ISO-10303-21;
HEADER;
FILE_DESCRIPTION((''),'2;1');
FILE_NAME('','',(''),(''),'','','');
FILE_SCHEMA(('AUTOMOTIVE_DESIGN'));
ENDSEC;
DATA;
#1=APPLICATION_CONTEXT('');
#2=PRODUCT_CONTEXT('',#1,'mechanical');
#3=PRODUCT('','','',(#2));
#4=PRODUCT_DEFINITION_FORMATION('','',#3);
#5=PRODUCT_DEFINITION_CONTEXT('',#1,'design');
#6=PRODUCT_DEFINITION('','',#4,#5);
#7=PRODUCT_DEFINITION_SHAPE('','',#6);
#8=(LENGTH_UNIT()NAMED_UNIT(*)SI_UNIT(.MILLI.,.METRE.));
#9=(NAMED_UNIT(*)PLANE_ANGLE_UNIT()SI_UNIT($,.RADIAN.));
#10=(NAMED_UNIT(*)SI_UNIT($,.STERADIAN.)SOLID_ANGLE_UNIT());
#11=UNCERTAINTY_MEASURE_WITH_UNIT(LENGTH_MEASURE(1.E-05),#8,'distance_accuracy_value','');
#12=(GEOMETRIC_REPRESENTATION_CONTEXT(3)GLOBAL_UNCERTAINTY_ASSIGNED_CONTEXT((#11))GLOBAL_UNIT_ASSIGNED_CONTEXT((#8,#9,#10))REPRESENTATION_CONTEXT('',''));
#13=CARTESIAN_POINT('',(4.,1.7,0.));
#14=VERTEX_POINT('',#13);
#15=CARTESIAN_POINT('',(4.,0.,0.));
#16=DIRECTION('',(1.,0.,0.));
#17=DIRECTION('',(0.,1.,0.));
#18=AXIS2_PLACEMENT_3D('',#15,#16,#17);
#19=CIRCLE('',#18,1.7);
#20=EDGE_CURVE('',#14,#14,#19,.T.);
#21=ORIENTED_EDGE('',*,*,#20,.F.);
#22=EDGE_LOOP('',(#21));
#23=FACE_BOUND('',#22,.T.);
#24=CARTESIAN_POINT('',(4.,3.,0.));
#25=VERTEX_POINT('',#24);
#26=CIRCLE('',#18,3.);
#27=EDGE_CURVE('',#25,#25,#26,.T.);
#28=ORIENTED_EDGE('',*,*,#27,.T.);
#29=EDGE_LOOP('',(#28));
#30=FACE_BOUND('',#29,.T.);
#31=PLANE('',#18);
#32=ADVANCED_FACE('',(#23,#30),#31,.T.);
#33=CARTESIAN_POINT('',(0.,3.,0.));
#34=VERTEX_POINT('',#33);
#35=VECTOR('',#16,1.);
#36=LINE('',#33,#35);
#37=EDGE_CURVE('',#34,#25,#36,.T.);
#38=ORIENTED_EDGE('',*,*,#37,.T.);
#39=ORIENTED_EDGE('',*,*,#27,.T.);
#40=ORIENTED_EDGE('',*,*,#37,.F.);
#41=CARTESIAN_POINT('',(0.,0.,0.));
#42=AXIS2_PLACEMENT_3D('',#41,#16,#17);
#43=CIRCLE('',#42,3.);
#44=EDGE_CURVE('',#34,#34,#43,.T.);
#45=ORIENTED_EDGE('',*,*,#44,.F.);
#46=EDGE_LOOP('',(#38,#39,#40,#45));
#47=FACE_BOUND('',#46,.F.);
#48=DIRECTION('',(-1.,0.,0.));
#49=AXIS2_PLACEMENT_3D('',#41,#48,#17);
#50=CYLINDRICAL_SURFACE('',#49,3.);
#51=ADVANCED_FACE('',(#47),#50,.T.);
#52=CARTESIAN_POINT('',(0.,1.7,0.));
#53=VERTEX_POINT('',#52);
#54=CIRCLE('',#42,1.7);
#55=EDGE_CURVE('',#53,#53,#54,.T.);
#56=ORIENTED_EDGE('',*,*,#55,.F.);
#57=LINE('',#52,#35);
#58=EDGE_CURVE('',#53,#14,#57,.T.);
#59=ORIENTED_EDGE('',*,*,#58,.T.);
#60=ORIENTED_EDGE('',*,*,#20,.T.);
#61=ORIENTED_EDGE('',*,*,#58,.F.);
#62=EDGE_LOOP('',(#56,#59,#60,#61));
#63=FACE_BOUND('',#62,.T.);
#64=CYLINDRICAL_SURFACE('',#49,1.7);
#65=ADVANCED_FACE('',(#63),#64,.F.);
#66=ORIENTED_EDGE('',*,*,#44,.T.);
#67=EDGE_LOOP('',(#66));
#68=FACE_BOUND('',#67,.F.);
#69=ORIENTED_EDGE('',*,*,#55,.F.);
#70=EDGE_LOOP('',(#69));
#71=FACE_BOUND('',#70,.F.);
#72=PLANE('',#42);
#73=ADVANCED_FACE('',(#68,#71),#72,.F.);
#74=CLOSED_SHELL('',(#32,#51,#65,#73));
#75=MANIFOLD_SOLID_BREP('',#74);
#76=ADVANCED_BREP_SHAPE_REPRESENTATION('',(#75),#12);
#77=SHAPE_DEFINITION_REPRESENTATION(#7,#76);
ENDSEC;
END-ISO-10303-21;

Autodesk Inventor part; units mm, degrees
ref_plane "YZ Plane" through (0, 0, 0) normal (1, 0, 0) x (0, 1, 0)
ref_plane "XZ Plane" through (0, 0, 0) normal (0, 1, 0) x (-1, 0, 0)
ref_plane "XY Plane" through (0, 0, 0) normal (0, 0, 1) x (1, 0, 0)
sketch "スケッチ1" plane through (0, 0, 0) normal (1, 0, 0) x (0, 1, 0)
  circle A0 centre (0, 0) radius 3
  circle A1 centre (0, 0) radius 1.7
  dimension "d0" = 6
  dimension "d1" = 3.4
extrude "押し出し1" add sketch "スケッチ1" along normal blind 4
properties part number "belt_liner_v2_3DP_P-6-F" material "ABS プラスチック"
